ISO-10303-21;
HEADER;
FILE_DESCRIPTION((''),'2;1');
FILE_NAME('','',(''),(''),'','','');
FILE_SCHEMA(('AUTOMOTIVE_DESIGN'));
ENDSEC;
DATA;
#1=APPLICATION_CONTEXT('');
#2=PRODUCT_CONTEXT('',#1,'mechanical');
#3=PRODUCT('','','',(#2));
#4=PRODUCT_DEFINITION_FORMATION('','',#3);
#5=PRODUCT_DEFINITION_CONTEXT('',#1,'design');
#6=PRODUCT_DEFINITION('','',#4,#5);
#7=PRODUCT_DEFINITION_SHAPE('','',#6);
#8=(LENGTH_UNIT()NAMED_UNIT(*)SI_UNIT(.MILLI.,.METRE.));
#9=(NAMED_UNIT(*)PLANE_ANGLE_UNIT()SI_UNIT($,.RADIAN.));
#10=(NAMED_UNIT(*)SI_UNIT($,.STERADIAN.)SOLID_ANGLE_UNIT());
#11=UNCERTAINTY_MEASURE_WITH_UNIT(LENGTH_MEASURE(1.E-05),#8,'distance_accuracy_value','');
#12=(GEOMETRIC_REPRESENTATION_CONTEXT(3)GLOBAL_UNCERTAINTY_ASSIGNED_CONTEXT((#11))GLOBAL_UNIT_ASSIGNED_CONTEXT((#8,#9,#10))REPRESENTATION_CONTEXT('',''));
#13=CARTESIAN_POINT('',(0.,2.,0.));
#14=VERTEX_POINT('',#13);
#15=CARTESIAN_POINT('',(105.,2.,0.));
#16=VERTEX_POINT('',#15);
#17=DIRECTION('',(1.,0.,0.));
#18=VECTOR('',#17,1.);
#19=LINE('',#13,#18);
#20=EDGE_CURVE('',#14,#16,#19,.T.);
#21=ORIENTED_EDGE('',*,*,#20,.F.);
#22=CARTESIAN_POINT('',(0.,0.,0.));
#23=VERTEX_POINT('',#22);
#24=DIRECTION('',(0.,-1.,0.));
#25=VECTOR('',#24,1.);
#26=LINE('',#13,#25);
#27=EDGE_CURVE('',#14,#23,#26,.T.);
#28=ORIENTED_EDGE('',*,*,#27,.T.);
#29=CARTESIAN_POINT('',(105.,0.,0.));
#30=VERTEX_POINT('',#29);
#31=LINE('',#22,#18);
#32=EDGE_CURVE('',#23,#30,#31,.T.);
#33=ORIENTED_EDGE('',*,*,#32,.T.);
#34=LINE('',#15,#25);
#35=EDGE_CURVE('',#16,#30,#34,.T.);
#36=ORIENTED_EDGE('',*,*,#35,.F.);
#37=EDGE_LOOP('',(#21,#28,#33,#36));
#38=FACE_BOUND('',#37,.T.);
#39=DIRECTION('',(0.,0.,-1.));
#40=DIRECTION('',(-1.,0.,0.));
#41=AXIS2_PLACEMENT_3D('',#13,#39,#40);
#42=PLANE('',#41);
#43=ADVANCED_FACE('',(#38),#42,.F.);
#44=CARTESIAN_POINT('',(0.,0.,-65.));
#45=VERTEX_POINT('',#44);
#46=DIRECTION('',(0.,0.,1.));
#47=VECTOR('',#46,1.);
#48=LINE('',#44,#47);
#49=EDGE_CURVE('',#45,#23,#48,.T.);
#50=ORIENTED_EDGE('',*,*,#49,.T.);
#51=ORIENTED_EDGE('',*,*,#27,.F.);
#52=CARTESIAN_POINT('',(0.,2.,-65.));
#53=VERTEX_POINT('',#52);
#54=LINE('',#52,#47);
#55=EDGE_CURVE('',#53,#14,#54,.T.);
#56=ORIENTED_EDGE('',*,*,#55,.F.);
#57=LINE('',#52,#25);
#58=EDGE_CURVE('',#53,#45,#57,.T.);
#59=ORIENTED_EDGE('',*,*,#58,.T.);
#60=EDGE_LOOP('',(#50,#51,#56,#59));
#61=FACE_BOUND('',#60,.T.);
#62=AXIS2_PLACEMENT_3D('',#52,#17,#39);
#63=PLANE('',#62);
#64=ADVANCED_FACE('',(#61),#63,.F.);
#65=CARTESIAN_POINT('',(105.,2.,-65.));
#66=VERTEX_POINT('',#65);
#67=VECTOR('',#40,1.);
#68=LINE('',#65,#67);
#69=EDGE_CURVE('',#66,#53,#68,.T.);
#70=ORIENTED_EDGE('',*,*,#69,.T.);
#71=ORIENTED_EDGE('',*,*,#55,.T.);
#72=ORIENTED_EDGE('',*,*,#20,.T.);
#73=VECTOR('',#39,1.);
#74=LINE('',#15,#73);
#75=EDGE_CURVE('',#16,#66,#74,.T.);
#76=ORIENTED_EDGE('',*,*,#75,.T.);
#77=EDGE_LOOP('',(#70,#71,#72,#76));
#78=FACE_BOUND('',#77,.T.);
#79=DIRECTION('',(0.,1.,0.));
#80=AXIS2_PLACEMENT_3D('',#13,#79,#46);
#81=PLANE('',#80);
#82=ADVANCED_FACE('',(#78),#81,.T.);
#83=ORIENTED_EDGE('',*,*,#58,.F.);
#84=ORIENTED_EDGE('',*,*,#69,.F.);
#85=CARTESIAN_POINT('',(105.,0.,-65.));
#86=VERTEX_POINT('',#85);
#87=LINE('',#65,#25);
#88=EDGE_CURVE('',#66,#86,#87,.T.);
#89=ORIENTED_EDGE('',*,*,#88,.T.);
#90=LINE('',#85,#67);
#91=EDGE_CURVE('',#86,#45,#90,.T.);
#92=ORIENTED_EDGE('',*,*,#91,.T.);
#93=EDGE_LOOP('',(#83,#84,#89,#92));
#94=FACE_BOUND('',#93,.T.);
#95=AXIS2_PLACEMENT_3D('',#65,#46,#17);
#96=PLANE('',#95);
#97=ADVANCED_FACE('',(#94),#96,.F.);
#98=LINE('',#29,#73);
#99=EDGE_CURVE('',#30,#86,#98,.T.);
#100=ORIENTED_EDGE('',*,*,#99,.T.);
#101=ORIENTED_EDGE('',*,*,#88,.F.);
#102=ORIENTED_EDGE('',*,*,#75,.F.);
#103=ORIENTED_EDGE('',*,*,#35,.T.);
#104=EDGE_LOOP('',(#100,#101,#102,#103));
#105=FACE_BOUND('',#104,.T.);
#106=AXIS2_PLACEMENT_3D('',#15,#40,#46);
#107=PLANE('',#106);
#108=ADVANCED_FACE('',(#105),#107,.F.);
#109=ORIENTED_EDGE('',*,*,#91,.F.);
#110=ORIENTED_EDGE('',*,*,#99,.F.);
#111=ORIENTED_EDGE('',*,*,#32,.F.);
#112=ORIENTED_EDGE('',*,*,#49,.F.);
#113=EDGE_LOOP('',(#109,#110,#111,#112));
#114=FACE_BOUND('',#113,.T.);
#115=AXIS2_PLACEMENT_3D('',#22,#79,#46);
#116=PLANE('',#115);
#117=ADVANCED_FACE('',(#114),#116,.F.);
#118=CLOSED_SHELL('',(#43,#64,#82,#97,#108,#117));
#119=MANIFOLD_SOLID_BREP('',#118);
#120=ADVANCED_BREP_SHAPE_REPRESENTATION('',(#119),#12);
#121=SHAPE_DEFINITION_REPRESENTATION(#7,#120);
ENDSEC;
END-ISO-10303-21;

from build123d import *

# Parameters (mm, degrees)
SKIZZE3_W                       = 105
SKIZZE3_H                       = 65
AUFSATZ_LINEAR_AUSTRAGEN1_DEPTH = 2


with BuildPart() as part:
    # Skizze3 → Aufsatz-Linear austragen1 (new body)
    with BuildSketch(Plane(origin=(0, 0, 0), x_dir=(1, 0, 0), z_dir=(0, 1, 0))):
        with Locations((52.5, 32.5)):
            Rectangle(SKIZZE3_W, SKIZZE3_H)
    extrude(amount=AUFSATZ_LINEAR_AUSTRAGEN1_DEPTH)


solid = part.part
